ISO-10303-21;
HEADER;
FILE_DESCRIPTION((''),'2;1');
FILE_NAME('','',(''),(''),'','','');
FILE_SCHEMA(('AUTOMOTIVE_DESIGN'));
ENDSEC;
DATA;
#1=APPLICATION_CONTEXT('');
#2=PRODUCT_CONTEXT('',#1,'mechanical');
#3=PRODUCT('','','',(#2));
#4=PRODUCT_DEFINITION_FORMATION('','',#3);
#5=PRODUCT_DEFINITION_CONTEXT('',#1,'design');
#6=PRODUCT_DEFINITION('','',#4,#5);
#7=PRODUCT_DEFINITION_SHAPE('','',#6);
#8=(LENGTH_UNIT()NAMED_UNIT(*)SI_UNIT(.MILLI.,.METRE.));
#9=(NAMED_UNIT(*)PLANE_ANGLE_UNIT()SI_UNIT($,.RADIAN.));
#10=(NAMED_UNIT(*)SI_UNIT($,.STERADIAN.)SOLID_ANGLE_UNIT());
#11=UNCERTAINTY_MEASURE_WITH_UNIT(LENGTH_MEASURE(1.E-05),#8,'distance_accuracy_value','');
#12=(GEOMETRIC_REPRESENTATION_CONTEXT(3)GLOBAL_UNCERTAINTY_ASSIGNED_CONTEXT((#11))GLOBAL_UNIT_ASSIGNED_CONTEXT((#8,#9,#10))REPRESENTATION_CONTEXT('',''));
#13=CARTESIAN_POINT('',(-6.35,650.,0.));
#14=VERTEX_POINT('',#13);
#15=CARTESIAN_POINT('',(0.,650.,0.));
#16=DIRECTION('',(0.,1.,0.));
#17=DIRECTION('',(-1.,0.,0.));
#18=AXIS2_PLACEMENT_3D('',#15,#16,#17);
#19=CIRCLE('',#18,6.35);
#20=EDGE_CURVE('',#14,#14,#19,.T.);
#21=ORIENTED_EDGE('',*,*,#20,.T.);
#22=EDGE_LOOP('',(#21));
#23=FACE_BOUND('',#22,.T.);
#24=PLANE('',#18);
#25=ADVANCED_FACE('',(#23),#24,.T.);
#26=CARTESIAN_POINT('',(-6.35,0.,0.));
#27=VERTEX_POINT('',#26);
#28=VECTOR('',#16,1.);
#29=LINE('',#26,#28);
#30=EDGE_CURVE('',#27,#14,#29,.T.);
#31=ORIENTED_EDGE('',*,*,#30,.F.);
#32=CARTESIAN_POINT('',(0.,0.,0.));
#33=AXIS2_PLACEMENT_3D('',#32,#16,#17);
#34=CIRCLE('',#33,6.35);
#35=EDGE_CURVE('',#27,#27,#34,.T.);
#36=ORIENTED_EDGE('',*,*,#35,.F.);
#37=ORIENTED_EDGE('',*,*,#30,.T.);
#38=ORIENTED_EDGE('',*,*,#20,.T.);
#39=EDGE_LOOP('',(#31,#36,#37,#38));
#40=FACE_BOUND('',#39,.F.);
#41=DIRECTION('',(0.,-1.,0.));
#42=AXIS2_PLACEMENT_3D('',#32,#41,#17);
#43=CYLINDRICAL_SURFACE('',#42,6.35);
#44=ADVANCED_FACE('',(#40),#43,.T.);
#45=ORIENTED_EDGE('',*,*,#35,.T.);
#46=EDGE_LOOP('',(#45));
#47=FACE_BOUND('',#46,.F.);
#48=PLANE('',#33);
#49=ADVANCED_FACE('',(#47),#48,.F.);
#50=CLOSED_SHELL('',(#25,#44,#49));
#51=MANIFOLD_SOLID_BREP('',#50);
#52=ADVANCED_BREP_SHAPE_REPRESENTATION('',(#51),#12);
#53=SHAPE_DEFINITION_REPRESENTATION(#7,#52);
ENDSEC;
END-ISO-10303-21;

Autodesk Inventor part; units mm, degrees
ref_plane "YZ Plane" through (0, 0, 0) normal (1, 0, 0) x (0, 1, 0)
ref_plane "XZ Plane" through (0, 0, 0) normal (0, 1, 0) x (-1, 0, 0)
ref_plane "XY Plane" through (0, 0, 0) normal (0, 0, 1) x (1, 0, 0)
sketch "Sketch1" plane through (0, 0, 0) normal (0, 1, 0) x (-1, 0, 0)
  circle A0 centre (0, 0) radius 6.35
  dimension "d0" = 12.7
extrude "Extrusion1" add sketch "Sketch1" along normal blind 650
properties part number "Shaft_2"
